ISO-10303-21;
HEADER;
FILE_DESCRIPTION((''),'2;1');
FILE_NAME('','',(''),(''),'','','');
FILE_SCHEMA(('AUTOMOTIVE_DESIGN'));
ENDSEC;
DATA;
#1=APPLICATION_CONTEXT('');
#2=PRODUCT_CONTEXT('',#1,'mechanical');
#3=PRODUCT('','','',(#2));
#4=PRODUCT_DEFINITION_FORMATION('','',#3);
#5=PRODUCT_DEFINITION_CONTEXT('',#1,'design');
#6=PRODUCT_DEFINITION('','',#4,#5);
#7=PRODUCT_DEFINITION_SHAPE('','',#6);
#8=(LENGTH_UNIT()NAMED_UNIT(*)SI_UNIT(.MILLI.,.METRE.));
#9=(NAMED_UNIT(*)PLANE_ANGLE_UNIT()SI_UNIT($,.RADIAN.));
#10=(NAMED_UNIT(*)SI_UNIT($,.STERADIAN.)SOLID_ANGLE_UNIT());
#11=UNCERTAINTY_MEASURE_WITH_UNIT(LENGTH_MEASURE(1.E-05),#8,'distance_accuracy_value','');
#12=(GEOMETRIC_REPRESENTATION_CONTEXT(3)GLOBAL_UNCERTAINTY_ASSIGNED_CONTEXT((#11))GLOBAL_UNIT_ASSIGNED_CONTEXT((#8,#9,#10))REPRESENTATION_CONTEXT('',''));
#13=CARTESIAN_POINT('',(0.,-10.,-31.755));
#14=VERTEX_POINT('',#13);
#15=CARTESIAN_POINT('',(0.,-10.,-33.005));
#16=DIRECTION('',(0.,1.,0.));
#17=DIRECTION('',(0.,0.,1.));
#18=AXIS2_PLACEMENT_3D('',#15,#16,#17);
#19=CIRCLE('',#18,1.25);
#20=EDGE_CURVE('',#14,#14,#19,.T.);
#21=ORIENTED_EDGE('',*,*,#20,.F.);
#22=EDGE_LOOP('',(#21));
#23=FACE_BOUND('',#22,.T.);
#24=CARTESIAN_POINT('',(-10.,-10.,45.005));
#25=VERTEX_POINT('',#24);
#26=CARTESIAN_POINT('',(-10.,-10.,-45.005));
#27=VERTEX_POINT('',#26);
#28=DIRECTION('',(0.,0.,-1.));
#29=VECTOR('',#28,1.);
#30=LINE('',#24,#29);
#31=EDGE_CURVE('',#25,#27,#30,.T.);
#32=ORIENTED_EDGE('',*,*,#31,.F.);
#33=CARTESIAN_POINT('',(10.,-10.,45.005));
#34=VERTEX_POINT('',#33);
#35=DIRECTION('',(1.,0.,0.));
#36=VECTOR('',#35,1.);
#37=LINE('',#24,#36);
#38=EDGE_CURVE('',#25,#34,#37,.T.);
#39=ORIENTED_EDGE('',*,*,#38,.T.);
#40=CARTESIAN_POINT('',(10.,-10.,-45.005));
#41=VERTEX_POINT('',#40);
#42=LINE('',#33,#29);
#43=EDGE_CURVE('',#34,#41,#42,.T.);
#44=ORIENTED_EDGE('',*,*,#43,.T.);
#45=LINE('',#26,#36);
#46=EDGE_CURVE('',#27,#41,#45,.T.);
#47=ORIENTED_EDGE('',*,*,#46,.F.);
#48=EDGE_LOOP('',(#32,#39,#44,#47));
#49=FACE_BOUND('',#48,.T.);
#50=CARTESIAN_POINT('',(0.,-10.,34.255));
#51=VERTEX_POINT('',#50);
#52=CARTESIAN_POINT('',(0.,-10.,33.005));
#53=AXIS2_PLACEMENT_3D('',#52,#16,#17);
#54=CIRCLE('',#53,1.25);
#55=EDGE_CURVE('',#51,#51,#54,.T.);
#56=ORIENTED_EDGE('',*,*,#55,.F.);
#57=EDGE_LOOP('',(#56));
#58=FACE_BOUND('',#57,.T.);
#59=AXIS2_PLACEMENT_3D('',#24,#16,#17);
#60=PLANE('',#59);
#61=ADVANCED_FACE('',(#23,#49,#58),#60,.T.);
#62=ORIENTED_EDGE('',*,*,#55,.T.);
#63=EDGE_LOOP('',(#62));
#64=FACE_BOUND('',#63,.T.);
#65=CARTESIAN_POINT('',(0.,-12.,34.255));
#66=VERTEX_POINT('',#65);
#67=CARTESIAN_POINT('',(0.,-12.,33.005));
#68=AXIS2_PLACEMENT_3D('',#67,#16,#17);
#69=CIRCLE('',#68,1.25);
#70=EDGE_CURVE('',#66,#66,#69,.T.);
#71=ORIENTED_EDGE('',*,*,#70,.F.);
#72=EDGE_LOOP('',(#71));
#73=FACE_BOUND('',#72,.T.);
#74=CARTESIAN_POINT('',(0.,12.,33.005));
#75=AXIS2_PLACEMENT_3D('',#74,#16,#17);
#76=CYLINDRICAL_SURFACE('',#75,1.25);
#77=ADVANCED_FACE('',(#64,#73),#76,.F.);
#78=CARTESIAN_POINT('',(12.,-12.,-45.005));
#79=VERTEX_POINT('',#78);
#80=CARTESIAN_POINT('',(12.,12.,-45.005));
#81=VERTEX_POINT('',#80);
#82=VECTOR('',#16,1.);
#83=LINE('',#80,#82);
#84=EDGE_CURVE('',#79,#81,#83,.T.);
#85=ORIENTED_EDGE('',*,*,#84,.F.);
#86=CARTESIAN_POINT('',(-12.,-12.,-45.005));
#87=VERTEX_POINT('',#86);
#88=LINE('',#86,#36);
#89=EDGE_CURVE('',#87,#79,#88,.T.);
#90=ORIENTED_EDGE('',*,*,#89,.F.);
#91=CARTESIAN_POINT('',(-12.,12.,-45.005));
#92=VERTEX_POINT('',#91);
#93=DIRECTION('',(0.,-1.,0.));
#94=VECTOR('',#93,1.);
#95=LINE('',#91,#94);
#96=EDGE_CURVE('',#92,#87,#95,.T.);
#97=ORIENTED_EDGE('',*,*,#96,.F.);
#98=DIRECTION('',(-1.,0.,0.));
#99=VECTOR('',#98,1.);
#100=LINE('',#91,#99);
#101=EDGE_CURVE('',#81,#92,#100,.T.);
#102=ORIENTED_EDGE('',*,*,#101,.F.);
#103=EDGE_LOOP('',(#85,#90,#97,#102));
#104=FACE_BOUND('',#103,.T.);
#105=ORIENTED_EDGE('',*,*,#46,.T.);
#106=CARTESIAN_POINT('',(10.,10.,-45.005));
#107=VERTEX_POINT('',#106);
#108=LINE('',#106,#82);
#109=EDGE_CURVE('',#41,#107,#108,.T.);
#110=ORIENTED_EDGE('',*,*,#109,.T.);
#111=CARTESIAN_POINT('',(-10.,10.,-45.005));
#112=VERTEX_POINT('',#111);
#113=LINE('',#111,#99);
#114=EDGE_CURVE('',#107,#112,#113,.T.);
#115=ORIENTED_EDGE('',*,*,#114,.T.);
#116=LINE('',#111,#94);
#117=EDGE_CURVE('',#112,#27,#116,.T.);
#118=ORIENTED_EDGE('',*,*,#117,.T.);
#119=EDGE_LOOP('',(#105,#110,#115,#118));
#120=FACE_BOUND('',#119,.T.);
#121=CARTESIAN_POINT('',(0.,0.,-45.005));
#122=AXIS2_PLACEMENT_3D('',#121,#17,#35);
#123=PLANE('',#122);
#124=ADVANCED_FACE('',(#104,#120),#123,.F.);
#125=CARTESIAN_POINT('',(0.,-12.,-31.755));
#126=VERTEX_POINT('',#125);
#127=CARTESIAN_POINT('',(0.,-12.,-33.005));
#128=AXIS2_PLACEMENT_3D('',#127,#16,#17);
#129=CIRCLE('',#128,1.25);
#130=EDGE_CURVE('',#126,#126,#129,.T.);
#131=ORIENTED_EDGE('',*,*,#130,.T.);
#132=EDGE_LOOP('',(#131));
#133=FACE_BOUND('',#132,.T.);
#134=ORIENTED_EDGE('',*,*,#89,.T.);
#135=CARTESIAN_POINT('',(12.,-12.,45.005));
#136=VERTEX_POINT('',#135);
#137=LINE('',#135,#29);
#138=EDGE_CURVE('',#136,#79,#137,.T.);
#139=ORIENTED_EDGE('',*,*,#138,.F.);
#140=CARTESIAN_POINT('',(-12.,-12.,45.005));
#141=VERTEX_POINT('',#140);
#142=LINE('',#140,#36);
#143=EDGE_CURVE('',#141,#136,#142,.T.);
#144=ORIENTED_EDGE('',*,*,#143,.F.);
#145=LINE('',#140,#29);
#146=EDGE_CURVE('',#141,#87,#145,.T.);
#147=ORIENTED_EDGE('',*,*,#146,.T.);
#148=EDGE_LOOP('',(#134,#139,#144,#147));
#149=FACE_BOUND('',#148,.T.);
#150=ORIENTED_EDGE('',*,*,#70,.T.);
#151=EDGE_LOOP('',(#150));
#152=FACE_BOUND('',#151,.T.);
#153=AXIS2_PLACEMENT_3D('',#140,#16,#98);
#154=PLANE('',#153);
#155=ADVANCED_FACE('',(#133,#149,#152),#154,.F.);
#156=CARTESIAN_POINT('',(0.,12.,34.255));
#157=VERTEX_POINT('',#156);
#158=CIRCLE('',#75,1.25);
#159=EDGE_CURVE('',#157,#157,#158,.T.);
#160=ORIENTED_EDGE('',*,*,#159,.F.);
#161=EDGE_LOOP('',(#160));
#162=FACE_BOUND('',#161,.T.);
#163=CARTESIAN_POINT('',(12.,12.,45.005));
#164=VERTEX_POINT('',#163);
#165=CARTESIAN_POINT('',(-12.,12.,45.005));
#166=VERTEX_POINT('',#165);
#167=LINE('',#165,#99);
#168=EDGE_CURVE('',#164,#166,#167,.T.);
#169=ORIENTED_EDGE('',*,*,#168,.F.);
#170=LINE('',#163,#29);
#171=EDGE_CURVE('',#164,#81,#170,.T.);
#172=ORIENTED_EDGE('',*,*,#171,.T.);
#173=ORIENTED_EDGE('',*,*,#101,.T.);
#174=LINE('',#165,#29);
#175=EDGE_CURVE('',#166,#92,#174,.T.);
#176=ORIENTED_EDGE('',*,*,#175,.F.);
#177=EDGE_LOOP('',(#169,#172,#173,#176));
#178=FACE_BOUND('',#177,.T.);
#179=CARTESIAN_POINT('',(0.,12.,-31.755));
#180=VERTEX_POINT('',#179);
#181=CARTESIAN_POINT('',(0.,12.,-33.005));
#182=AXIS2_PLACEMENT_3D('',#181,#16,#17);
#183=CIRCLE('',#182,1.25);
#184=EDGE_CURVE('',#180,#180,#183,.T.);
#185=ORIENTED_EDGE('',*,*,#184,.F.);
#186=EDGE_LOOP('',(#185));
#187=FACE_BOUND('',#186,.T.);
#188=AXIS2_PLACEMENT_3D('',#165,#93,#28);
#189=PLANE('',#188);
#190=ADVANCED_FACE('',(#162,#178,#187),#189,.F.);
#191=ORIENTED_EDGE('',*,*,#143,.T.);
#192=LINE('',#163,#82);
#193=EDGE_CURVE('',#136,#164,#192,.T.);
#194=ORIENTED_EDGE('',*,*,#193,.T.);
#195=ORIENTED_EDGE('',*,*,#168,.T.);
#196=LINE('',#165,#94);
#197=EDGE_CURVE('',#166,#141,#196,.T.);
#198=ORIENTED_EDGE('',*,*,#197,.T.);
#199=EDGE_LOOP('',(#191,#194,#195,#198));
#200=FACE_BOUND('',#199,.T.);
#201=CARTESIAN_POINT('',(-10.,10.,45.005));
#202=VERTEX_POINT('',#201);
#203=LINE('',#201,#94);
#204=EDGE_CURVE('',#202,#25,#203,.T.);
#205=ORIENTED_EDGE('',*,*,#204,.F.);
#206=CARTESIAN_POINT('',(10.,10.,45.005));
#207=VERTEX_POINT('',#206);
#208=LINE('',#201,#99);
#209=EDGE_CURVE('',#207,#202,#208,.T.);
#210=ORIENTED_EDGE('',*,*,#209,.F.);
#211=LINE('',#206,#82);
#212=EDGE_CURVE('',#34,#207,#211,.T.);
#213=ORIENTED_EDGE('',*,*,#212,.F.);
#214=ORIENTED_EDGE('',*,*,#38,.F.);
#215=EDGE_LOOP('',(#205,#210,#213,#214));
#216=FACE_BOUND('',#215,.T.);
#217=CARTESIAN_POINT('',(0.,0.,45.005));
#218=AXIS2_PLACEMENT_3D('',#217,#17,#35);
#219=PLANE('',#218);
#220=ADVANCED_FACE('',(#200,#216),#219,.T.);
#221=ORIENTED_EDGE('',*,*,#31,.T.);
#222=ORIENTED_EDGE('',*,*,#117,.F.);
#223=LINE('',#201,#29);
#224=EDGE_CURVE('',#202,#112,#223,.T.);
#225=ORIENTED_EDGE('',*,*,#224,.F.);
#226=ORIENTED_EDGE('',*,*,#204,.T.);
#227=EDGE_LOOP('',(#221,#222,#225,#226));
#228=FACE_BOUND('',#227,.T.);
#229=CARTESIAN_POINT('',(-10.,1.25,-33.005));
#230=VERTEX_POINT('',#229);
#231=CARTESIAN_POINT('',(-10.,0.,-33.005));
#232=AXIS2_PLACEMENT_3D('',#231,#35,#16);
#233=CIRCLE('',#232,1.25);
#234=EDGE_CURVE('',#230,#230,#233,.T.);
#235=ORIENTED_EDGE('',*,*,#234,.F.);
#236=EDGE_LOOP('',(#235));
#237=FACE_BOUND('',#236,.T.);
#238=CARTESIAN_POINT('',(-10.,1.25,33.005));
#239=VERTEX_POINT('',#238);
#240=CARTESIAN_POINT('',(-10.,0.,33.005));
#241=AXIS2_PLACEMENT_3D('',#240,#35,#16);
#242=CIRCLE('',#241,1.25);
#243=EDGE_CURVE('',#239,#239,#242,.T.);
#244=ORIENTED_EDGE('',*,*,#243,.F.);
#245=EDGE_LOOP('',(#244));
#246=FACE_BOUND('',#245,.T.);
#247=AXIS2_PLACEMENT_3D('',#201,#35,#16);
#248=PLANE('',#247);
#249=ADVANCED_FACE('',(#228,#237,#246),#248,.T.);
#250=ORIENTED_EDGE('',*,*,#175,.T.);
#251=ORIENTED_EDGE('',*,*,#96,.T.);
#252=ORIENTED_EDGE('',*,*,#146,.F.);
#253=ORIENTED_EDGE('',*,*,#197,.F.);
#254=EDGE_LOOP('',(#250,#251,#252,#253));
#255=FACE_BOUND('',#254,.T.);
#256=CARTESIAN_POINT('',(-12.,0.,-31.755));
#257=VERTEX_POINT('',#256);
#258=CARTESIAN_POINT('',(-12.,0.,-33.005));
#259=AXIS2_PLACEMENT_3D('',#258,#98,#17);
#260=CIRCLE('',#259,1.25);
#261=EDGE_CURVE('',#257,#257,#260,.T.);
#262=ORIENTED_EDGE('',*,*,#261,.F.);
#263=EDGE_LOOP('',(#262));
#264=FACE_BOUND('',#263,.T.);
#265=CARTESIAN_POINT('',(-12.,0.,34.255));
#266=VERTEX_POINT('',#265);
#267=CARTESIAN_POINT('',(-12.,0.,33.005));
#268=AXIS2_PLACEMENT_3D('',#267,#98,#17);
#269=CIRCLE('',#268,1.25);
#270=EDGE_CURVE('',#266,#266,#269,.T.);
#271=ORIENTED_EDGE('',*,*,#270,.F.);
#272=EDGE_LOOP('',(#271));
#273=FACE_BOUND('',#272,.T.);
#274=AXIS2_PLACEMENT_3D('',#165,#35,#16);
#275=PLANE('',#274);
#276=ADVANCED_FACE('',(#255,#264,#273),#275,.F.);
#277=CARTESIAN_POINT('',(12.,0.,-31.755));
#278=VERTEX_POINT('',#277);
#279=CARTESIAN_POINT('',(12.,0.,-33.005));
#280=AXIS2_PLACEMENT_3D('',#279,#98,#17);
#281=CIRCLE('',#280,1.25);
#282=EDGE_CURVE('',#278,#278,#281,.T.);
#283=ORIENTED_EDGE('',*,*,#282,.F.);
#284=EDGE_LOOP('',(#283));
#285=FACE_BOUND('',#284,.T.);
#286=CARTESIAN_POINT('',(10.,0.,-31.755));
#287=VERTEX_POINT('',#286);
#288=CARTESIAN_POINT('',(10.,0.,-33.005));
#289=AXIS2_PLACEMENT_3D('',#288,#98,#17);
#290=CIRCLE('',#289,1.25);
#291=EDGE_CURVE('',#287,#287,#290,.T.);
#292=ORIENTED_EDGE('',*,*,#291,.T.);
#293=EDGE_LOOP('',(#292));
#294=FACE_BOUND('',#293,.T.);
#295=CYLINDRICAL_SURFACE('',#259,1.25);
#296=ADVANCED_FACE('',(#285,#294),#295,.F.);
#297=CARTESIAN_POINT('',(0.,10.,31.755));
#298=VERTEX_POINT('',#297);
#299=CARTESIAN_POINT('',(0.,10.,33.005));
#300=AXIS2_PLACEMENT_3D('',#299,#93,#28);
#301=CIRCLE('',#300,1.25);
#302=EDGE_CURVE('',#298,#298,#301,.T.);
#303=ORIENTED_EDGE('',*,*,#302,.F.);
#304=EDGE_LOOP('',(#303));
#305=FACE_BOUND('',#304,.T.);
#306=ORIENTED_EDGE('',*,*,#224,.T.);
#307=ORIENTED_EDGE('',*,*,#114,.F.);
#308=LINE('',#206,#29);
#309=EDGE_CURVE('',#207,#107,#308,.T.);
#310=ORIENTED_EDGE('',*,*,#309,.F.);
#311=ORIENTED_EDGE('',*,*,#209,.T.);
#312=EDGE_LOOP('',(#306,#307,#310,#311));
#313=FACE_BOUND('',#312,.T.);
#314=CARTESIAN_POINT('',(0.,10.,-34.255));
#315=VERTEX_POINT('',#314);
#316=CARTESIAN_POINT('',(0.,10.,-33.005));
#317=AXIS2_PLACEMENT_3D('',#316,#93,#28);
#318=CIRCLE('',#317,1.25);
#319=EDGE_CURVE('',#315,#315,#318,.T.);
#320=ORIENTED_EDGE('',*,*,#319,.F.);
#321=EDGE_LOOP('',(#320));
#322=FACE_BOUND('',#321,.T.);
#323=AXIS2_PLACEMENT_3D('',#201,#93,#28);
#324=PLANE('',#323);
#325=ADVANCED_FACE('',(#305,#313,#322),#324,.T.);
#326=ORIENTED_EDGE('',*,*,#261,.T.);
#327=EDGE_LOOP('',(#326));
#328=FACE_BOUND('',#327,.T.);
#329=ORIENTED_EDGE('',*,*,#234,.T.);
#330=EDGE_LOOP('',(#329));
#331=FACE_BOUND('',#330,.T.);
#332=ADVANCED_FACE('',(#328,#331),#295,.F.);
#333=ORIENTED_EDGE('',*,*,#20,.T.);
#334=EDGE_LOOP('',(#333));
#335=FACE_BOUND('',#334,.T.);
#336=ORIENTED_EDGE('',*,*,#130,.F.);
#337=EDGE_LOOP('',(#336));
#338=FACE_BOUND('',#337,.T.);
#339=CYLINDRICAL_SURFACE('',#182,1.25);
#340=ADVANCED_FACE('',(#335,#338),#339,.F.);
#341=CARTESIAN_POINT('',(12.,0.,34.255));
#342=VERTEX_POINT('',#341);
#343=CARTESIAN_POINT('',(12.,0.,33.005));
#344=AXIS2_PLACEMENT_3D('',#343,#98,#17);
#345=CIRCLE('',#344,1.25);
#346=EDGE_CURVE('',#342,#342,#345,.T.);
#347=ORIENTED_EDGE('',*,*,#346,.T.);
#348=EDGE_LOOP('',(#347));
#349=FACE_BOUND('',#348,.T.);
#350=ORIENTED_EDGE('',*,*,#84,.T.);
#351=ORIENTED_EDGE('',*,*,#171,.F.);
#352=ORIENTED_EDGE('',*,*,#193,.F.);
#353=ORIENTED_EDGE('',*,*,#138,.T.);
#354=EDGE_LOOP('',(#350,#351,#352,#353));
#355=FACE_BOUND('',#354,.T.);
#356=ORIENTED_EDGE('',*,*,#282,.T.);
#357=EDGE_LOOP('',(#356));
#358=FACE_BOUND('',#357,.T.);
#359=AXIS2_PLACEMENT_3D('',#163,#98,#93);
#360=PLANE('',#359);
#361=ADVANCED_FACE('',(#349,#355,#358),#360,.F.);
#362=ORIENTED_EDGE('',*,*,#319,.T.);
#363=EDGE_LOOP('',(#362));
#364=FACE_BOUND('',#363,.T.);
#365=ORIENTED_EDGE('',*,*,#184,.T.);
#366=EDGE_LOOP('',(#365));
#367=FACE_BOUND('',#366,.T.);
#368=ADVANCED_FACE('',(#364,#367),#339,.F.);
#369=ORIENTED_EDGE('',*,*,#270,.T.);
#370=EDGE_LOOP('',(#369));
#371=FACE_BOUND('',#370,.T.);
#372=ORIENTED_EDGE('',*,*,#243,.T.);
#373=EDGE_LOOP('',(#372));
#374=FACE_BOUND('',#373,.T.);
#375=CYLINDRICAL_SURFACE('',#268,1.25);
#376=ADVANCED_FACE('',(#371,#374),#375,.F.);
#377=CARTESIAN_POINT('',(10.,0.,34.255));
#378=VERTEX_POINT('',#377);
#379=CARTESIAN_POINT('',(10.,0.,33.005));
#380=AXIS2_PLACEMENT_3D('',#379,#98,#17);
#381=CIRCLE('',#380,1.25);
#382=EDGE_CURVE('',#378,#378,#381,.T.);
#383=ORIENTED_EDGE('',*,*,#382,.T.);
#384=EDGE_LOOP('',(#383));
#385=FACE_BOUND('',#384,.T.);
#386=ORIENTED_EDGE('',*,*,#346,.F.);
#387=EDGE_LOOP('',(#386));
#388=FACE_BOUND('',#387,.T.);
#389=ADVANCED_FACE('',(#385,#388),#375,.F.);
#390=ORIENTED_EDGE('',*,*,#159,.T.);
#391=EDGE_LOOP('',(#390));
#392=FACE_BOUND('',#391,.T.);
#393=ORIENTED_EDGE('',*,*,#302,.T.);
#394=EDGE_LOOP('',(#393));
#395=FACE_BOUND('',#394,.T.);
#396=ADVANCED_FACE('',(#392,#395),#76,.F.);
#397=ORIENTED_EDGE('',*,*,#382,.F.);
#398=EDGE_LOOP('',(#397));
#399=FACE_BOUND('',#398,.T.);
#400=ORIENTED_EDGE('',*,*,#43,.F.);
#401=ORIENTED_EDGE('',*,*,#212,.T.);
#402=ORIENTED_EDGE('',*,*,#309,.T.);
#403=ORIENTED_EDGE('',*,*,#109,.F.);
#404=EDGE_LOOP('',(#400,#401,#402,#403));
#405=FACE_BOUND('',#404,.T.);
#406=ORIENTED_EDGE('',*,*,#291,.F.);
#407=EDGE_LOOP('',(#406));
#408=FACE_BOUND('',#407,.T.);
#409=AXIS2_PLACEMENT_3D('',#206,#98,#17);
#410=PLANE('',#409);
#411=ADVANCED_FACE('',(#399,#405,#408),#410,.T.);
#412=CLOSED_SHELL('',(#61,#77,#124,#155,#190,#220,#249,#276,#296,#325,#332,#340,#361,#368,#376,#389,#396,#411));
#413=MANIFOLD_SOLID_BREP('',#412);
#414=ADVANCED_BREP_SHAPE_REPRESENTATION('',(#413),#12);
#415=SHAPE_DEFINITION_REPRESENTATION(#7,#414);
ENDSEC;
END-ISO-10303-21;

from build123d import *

# Parameters (mm, degrees)
SKETCH_1_W         = 24
SKETCH_1_H         = 24
SKETCH_1_W_2       = 20
SKETCH_1_H_2       = 20
EXTRUDE_1_DEPTH    = 45.005
HOLE_WIZARD_M3_1_D = 2.5
HOLE_WIZARD_M3_2_D = 2.5


with BuildPart() as part:
    # 草图1 → 凸台-拉伸1 (new, symmetric)
    with BuildSketch(Plane.XY):
        Rectangle(SKETCH_1_W, SKETCH_1_H)
        Rectangle(SKETCH_1_W_2, SKETCH_1_H_2, mode=Mode.SUBTRACT)
    extrude(amount=EXTRUDE_1_DEPTH, both=True)

    # M3 螺纹孔的螺纹孔钻头1 (through all)
    with Locations(Plane(origin=(-12, 0, -33.005), x_dir=(0, -1, 0), z_dir=(-1, 0, 0))):
        with Locations((0, 0)):
            hole_wizard_m3_1 = Hole(HOLE_WIZARD_M3_1_D / 2)

    # 镜向1: M3 螺纹孔的螺纹孔钻头1 across plane
    add(hole_wizard_m3_1.mirror(Plane.XY), mode=Mode.SUBTRACT)

    # M3 螺纹孔的螺纹孔钻头2 (through all)
    with Locations(Plane(origin=(0, 12, -33.005), x_dir=(0, 0, 1), z_dir=(0, 1, 0))):
        with Locations((0, 0)):
            hole_wizard_m3_2 = Hole(HOLE_WIZARD_M3_2_D / 2)

    # 镜向2: M3 螺纹孔的螺纹孔钻头2 across plane
    add(hole_wizard_m3_2.mirror(Plane.XY), mode=Mode.SUBTRACT)


solid = part.part
